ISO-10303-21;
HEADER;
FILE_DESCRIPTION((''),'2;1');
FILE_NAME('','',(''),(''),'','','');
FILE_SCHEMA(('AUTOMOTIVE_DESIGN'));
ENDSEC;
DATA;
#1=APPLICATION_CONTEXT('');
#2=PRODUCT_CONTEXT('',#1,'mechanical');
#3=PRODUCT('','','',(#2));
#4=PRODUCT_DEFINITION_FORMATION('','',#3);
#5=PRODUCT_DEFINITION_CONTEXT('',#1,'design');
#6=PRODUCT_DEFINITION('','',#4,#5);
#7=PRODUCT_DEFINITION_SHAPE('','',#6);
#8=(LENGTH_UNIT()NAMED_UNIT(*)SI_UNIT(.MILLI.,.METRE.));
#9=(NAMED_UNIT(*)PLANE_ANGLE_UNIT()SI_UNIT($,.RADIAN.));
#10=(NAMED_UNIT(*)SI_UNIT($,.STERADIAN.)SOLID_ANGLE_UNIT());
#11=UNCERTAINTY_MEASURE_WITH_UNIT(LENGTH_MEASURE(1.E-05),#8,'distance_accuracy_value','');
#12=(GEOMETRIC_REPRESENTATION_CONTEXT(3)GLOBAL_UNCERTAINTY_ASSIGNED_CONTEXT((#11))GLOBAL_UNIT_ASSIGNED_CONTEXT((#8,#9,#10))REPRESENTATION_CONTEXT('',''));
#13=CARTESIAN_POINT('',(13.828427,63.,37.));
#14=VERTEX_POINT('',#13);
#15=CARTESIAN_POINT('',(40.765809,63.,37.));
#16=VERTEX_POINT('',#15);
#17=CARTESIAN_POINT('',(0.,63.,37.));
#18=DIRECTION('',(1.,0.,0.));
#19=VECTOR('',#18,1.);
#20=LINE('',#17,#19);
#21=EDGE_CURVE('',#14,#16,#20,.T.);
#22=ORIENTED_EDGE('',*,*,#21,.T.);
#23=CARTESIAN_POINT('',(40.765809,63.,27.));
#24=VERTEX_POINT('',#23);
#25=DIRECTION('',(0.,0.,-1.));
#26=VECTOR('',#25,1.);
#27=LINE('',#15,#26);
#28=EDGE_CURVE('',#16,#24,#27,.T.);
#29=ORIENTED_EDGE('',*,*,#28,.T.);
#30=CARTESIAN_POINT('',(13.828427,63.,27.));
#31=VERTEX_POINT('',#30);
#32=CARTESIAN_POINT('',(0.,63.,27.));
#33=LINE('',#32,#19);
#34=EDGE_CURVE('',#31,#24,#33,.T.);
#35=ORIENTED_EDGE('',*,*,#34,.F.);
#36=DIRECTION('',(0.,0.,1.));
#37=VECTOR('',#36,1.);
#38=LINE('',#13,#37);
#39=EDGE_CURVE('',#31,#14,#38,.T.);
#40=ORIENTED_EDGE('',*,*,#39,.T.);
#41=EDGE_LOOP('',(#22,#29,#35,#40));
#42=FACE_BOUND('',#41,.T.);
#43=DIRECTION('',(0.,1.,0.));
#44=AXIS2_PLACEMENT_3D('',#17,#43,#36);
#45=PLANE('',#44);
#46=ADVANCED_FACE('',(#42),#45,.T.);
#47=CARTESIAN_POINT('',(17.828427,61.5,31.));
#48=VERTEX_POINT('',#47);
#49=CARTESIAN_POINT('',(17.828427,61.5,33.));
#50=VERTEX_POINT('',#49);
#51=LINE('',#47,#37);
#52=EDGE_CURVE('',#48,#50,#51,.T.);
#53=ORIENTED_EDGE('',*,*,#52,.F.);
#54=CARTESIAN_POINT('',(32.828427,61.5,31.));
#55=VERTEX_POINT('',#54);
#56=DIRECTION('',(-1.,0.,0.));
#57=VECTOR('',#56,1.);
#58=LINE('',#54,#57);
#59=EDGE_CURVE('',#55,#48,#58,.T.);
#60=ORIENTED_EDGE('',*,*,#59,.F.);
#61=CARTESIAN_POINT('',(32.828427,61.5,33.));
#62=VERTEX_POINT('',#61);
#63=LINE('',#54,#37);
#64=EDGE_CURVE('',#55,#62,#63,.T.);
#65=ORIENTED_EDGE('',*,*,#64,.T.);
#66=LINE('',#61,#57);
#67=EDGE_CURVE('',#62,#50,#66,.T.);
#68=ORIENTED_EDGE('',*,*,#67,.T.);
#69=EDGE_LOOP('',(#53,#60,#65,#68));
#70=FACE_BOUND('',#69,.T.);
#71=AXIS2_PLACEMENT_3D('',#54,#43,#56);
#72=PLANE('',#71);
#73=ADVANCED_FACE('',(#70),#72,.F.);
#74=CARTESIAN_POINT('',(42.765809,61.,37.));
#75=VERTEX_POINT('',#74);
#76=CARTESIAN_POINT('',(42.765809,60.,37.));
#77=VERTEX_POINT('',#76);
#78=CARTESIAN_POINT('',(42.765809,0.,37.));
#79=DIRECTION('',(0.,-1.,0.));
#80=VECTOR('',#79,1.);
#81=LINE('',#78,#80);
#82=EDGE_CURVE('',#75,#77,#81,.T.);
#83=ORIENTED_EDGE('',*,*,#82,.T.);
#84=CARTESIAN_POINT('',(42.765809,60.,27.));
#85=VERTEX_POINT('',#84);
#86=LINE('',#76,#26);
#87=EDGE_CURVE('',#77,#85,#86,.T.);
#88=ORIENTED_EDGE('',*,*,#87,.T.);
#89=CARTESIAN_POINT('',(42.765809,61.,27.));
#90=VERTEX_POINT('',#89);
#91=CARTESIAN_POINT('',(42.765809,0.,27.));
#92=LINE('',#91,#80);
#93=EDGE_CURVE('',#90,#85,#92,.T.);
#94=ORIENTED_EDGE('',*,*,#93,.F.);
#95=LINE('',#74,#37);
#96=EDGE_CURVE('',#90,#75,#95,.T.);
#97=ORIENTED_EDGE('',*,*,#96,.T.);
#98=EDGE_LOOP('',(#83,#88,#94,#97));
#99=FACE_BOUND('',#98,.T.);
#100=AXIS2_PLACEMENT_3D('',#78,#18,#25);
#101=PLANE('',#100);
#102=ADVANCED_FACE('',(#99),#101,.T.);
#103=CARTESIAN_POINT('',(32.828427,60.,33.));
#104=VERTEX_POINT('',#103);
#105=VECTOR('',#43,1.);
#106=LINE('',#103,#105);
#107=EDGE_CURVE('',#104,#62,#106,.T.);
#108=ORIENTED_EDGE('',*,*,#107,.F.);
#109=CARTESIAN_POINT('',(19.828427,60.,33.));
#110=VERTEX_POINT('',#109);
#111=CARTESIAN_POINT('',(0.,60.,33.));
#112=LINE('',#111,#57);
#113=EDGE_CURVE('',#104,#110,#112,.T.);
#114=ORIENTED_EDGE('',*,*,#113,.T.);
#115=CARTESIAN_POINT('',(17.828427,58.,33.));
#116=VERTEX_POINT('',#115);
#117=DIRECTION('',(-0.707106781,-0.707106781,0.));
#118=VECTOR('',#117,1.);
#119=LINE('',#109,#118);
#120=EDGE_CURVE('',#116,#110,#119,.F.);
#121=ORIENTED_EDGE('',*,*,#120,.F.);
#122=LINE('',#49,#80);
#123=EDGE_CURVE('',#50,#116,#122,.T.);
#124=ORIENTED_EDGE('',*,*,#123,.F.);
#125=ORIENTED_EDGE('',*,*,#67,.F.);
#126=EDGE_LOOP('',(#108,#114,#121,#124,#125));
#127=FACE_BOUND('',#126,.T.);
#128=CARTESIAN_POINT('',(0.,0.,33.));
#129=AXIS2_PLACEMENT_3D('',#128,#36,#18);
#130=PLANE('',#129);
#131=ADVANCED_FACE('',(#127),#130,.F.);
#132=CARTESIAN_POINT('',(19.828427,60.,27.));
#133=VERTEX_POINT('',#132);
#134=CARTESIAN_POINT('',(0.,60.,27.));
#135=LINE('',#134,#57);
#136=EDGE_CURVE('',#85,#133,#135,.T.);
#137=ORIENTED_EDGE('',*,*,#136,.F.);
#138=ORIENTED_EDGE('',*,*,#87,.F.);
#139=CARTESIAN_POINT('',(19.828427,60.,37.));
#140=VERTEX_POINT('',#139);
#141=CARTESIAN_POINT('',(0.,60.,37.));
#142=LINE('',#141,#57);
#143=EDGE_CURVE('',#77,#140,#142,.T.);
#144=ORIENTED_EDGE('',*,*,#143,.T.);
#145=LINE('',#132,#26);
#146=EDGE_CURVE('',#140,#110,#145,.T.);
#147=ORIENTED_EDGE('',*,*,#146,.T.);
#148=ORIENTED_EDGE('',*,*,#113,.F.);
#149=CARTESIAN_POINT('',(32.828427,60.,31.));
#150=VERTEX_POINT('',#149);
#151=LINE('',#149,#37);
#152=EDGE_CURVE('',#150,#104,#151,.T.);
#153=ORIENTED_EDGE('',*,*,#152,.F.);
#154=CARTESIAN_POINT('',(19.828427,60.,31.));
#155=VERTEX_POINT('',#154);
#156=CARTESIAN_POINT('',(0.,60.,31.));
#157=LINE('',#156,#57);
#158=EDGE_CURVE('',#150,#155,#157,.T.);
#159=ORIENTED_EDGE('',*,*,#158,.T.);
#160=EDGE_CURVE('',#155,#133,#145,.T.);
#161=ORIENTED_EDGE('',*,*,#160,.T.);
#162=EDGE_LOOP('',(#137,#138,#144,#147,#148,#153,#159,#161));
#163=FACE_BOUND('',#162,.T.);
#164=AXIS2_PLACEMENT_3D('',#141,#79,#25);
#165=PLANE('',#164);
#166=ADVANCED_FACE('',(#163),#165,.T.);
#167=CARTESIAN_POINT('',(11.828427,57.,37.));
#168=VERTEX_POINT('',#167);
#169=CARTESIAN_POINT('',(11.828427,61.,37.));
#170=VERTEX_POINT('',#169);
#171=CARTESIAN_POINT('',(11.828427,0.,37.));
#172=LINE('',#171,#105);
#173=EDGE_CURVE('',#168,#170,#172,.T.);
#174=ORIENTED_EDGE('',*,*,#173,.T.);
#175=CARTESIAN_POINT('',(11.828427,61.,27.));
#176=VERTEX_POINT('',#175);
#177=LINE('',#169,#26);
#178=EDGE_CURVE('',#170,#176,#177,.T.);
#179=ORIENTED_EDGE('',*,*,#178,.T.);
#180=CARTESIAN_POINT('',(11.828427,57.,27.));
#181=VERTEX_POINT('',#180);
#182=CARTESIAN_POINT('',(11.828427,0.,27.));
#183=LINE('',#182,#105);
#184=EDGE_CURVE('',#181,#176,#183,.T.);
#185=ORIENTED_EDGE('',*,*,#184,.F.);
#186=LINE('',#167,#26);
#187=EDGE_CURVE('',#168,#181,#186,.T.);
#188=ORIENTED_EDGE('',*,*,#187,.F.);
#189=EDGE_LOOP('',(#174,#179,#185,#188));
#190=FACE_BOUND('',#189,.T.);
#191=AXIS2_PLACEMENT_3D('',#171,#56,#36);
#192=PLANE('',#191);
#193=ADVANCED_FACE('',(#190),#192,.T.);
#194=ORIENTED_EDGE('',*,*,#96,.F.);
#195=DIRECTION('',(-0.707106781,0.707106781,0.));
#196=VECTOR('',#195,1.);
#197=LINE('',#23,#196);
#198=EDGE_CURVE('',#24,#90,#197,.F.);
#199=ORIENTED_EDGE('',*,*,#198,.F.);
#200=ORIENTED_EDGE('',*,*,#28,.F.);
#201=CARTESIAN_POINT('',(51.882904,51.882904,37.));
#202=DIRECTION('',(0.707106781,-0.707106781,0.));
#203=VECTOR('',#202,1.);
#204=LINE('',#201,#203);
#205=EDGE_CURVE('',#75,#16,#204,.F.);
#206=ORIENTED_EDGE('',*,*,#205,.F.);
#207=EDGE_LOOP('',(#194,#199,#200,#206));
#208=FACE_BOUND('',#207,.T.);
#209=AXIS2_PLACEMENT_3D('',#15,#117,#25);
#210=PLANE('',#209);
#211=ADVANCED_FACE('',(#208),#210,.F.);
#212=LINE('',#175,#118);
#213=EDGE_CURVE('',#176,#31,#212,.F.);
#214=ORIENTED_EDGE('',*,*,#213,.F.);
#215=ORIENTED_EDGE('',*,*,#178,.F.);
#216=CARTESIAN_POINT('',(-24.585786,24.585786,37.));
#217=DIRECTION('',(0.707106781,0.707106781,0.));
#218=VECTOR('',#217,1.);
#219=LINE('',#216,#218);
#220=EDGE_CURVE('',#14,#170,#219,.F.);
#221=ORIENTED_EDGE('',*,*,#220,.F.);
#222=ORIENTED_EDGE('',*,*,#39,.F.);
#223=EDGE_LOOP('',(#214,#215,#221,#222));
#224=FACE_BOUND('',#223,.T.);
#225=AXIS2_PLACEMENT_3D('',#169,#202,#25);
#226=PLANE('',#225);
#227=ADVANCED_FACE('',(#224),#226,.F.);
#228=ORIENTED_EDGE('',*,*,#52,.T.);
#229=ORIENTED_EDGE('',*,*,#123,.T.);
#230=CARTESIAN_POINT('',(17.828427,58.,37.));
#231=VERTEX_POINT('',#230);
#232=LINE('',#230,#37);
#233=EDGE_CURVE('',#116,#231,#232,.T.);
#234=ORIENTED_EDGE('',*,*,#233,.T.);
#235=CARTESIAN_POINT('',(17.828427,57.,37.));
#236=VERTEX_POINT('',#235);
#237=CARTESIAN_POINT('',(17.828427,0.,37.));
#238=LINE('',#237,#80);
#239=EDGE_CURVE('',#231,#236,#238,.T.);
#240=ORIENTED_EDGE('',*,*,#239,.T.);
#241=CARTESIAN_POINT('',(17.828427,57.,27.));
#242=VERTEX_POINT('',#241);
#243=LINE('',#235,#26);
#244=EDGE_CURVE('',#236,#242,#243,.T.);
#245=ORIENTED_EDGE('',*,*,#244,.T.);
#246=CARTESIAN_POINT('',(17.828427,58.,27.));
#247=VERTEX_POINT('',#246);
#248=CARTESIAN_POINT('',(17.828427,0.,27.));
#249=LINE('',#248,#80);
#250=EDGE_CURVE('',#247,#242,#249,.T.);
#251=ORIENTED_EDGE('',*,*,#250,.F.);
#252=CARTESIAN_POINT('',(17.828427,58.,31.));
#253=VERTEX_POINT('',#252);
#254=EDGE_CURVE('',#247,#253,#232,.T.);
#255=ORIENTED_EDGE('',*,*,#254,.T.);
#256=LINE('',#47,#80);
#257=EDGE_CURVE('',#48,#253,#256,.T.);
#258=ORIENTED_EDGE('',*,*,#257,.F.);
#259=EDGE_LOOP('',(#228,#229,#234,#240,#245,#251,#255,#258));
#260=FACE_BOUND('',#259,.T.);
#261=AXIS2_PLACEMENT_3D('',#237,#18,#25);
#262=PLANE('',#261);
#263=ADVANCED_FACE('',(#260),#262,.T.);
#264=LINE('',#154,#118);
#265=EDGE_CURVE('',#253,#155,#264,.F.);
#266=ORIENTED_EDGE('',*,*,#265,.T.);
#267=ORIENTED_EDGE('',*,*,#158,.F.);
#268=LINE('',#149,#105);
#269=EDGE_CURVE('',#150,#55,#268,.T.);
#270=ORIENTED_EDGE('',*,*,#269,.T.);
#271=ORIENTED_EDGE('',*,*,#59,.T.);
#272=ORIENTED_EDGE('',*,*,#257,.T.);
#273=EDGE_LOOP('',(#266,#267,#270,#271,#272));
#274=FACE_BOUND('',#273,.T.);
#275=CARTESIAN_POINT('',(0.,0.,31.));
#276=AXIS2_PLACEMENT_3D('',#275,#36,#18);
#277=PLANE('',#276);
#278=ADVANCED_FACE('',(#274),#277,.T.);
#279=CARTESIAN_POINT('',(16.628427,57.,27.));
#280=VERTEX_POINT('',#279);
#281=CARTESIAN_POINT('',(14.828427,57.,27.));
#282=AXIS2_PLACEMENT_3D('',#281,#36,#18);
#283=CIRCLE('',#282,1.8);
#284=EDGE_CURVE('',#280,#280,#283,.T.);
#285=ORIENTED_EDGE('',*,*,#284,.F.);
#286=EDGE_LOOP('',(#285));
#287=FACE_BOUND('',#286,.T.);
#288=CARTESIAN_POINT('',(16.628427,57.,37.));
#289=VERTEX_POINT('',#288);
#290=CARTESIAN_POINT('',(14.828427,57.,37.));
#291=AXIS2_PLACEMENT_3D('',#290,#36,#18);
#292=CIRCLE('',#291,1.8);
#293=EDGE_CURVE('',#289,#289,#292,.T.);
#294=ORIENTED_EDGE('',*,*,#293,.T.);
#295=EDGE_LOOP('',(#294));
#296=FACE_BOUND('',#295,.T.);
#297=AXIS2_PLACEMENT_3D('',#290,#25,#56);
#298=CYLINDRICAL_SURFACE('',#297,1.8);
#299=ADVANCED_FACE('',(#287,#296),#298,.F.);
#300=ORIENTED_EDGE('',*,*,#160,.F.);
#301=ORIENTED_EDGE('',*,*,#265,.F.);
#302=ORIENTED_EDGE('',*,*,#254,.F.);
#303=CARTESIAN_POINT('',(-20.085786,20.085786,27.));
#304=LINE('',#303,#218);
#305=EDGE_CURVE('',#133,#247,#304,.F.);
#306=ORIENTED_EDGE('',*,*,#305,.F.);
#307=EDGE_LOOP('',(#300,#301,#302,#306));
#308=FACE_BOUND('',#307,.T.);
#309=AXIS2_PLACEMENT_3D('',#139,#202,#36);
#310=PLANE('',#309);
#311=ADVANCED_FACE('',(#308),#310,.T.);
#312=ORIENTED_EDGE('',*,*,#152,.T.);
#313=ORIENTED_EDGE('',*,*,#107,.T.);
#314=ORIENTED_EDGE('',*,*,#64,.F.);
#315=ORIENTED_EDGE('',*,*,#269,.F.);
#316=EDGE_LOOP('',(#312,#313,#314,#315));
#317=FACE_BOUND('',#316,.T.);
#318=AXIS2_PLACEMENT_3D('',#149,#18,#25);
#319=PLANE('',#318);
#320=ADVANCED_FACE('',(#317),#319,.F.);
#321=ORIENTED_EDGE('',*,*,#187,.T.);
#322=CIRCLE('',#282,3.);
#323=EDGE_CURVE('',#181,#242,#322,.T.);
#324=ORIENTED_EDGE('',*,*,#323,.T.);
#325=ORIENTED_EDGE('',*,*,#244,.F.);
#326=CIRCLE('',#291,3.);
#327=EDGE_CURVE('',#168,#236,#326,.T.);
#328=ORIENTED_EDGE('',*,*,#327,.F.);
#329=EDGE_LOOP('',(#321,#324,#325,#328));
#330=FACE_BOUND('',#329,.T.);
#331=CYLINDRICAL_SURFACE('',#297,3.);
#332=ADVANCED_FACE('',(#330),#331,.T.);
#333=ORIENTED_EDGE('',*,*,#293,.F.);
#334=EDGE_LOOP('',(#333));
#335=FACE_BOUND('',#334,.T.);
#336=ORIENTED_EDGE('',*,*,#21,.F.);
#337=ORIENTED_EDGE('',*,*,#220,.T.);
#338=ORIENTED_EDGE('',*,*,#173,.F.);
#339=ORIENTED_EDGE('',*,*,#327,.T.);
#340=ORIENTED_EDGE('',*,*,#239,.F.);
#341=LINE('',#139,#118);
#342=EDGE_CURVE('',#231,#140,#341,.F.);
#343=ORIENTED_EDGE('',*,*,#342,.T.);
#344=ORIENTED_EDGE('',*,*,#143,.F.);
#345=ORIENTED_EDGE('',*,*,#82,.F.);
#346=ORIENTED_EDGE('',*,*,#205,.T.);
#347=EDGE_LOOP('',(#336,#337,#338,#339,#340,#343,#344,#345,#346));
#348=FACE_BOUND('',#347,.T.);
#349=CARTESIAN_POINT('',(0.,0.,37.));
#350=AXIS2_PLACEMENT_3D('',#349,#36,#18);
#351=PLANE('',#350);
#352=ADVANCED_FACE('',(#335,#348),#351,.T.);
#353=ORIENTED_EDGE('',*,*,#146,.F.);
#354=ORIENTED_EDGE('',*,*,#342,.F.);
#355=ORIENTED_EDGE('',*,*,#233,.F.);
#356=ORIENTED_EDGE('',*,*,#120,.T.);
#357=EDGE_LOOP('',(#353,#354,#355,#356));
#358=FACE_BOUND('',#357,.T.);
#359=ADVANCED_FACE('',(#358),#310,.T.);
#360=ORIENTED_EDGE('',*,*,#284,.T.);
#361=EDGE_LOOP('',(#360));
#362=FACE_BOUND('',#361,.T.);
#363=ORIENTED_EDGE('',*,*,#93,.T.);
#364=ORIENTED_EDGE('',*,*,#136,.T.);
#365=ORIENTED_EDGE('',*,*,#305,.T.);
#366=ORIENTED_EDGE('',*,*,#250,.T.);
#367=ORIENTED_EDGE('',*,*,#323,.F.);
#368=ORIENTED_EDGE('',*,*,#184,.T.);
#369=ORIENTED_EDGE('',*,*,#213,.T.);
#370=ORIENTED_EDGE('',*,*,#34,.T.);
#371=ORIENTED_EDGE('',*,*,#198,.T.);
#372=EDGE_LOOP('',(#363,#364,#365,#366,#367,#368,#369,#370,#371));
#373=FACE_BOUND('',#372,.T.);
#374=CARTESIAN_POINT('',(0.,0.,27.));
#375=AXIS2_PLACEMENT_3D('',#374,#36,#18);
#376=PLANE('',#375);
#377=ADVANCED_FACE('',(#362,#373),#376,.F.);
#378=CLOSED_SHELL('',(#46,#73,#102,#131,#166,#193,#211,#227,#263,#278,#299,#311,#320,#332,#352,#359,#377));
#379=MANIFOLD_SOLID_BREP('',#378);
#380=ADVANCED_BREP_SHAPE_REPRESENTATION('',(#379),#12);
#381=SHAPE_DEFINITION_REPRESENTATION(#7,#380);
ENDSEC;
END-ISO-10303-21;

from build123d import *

# Parameters (mm, degrees)
SKETCH1_W           = 120
SKETCH1_H           = 60
BOSS_EXTRUDE1_DEPTH = 2
CHAMFER2_SIZE       = 10
SKETCH2_W           = 38.34314575
SKETCH2_H           = 2
BOSS_EXTRUDE2_DEPTH = 15
FILLET1_R           = 2
SKETCH4_R           = 2.5
SKETCH4_R_2         = 1
BOSS_EXTRUDE3_DEPTH = 4
SKETCH6_W           = 61
SKETCH6_H           = 14.6
BOSS_EXTRUDE5_DEPTH = 15
CUT_EXTRUDE2_START  = -3
CUT_EXTRUDE2_DEPTH  = 55
CHAMFER3_SIZE       = 4
SKETCH9_W           = 14
SKETCH9_H           = 16
SKETCH9_W_2         = 10
SKETCH9_H_2         = 12
BOSS_EXTRUDE6_DEPTH = 4
SKETCH10_R          = 3
SKETCH10_R_2        = 1.5
BOSS_EXTRUDE8_DEPTH = 4
BOSS_EXTRUDE9_START = 10
SKETCH12_R          = 3
SKETCH12_R_2        = 1.8
BOSS_EXTRUDE9_DEPTH = 10
CHAMFER4_SIZE       = 2
SKETCH13_W          = 142.36375675
SKETCH13_H          = 36.547684865
CUT_EXTRUDE3_DEPTH  = 85
CUT_EXTRUDE4_START  = -4
CUT_EXTRUDE4_DEPTH  = 2


with BuildPart() as part:
    # Sketch1 → Boss-Extrude1 (new body)
    with BuildSketch(Plane.XY):
        with Locations((60, 30)):
            Rectangle(SKETCH1_W, SKETCH1_H)
    extrude(amount=BOSS_EXTRUDE1_DEPTH)

    # Chamfer2
    chamfer2_edges = [part.edges().sort_by_distance(p)[0] for p in [
        (0, 60, 1),
        (120, 60, 1),
        (120, 0, 1),
        (0, 0, 1),
    ]]
    chamfer(chamfer2_edges, length=CHAMFER2_SIZE)

    # Sketch2 → Boss-Extrude2 (add)
    with BuildSketch(Plane.XY.offset(2)):
        Polygon((10.828427125, 2), (109.171572875, 2), (118, 10.828427125), (118, 49.171572875), (109.171572875, 58), (109.171572875, 60), (110, 60), (120, 50), (120, 10), (110, 0), (10, 0), (0, 10), (0, 50), (10, 60), (10.828427125, 60), (10.828427125, 58), (2, 49.171572875), (2, 10.828427125), align=None)
        with Locations((60, 59)):
            Rectangle(SKETCH2_W, SKETCH2_H)
    extrude(amount=BOSS_EXTRUDE2_DEPTH)

    # Fillet1
    fillet1_edges = [part.edges().sort_by_distance(p)[0] for p in [
        (113.585786438, 53.585786438, 2),
        (118, 30, 2),
        (113.585786438, 6.414213562, 2),
        (60, 2, 2),
        (6.414213562, 6.414213562, 2),
        (2, 30, 2),
        (6.414213562, 53.585786438, 2),
        (60, 58, 2),
    ]]
    fillet(fillet1_edges, radius=FILLET1_R)

    # Sketch4 → Boss-Extrude3 (add)
    with BuildSketch(Plane.XY.offset(2)):
        with Locations((33, 41)):
            Circle(SKETCH4_R)
        with Locations((33, 41)):
            Circle(SKETCH4_R_2, mode=Mode.SUBTRACT)
    extrude(amount=BOSS_EXTRUDE3_DEPTH)

    # Sketch6 → Boss-Extrude5 (add)
    with BuildSketch(Plane.XY.offset(2)):
        with Locations((60, 9.3)):
            Rectangle(SKETCH6_W, SKETCH6_H)
    extrude(amount=BOSS_EXTRUDE5_DEPTH)

    # Sketch7 → Cut-Extrude2 (cut)
    with BuildSketch(Plane.ZY.offset(-29.5).offset(CUT_EXTRUDE2_START)):
        with BuildLine():
            ThreePointArc((16.8, 9.3), (14.661879503, 14.461879503), (9.5, 16.6))
            Line((9.5, 16.6), (9.5, 2))
            ThreePointArc((9.5, 2), (14.661879503, 4.138120497), (16.8, 9.3))
        make_face()
        with BuildLine():
            Line((9.5, 2), (9.5, 16.6))
            ThreePointArc((9.5, 16.6), (2.2, 9.3), (9.5, 2))
        make_face()
        with BuildLine():
            Line((17, 16.6), (9.5, 16.6))
            ThreePointArc((9.5, 16.6), (14.661879503, 14.461879503), (16.8, 9.3))
            ThreePointArc((16.8, 9.3), (14.661879503, 4.138120497), (9.5, 2))
            Line((9.5, 2), (17, 2))
            Line((17, 2), (17, 16.6))
        make_face()
    extrude(amount=-CUT_EXTRUDE2_DEPTH, mode=Mode.SUBTRACT)

    # Chamfer3
    chamfer3_edges = [part.edges().sort_by_distance(p)[0] for p in [
        (31, 16.6, 17),
        (89, 16.6, 17),
    ]]
    chamfer(chamfer3_edges, length=CHAMFER3_SIZE)

    # Sketch9 → Boss-Extrude6 (add)
    with BuildSketch(Plane.XY.offset(2)):
        with Locations((45, 41)):
            Rectangle(SKETCH9_W, SKETCH9_H)
        with Locations((45, 41)):
            Rectangle(SKETCH9_W_2, SKETCH9_H_2, mode=Mode.SUBTRACT)
    extrude(amount=BOSS_EXTRUDE6_DEPTH)

    # Sketch10 → Boss-Extrude8 (add)
    with BuildSketch(Plane.XY.offset(2)):
        with Locations((14.828427125, 57)):
            Circle(SKETCH10_R)
        with Locations((14.828427125, 57)):
            Circle(SKETCH10_R_2, mode=Mode.SUBTRACT)
        with Locations((105.171572875, 57)):
            Circle(SKETCH10_R)
        with Locations((105.171572875, 57)):
            Circle(SKETCH10_R_2, mode=Mode.SUBTRACT)
    extrude(amount=BOSS_EXTRUDE8_DEPTH)

    # Sketch13 → Cut-Extrude3 (cut)
    with BuildSketch(Plane(origin=(0, 60, 0), x_dir=(1, 0, 0), z_dir=(0, 1, 0))):
        with Locations((60.382698271, -6.82770274)):
            Rectangle(SKETCH13_W, SKETCH13_H)
    extrude(amount=-CUT_EXTRUDE3_DEPTH, mode=Mode.SUBTRACT)


with BuildPart() as body_2:
    # Sketch12 → Boss-Extrude9 (new body)
    with BuildSketch(Plane.XY.offset(17).offset(BOSS_EXTRUDE9_START)):
        with Locations((14.828427125, 57)):
            Circle(SKETCH12_R)
        with Locations((14.828427125, 57)):
            Circle(SKETCH12_R_2, mode=Mode.SUBTRACT)
        with BuildLine():
            Line((11.828427125, 63), (11.828427125, 57))
            ThreePointArc((11.828427125, 57), (14.828427125, 60), (17.828427125, 57))
            Line((17.828427125, 57), (17.828427125, 60))
            Line((17.828427125, 60), (42.76580882, 60))
            Line((42.76580882, 60), (42.76580882, 63))
            Line((42.76580882, 63), (11.828427125, 63))
        make_face()
    extrude(amount=BOSS_EXTRUDE9_DEPTH)

    # Chamfer4
    chamfer4_edges = [body_2.edges().sort_by_distance(p)[0] for p in [
        (11.828427125, 63, 32),
        (42.76580882, 63, 32),
        (17.828427125, 60, 32),
    ]]
    chamfer(chamfer4_edges, length=CHAMFER4_SIZE)

    # Sketch14 → Cut-Extrude4 (cut)
    with BuildSketch(Plane.XY.offset(37).offset(CUT_EXTRUDE4_START)):
        Polygon((32.828427125, 60), (32.828427125, 61.5), (17.828427125, 61.5), (17.828427125, 58), (28.911209964, 56.857462596), align=None)
    extrude(amount=-CUT_EXTRUDE4_DEPTH, mode=Mode.SUBTRACT)


solid = body_2.part
